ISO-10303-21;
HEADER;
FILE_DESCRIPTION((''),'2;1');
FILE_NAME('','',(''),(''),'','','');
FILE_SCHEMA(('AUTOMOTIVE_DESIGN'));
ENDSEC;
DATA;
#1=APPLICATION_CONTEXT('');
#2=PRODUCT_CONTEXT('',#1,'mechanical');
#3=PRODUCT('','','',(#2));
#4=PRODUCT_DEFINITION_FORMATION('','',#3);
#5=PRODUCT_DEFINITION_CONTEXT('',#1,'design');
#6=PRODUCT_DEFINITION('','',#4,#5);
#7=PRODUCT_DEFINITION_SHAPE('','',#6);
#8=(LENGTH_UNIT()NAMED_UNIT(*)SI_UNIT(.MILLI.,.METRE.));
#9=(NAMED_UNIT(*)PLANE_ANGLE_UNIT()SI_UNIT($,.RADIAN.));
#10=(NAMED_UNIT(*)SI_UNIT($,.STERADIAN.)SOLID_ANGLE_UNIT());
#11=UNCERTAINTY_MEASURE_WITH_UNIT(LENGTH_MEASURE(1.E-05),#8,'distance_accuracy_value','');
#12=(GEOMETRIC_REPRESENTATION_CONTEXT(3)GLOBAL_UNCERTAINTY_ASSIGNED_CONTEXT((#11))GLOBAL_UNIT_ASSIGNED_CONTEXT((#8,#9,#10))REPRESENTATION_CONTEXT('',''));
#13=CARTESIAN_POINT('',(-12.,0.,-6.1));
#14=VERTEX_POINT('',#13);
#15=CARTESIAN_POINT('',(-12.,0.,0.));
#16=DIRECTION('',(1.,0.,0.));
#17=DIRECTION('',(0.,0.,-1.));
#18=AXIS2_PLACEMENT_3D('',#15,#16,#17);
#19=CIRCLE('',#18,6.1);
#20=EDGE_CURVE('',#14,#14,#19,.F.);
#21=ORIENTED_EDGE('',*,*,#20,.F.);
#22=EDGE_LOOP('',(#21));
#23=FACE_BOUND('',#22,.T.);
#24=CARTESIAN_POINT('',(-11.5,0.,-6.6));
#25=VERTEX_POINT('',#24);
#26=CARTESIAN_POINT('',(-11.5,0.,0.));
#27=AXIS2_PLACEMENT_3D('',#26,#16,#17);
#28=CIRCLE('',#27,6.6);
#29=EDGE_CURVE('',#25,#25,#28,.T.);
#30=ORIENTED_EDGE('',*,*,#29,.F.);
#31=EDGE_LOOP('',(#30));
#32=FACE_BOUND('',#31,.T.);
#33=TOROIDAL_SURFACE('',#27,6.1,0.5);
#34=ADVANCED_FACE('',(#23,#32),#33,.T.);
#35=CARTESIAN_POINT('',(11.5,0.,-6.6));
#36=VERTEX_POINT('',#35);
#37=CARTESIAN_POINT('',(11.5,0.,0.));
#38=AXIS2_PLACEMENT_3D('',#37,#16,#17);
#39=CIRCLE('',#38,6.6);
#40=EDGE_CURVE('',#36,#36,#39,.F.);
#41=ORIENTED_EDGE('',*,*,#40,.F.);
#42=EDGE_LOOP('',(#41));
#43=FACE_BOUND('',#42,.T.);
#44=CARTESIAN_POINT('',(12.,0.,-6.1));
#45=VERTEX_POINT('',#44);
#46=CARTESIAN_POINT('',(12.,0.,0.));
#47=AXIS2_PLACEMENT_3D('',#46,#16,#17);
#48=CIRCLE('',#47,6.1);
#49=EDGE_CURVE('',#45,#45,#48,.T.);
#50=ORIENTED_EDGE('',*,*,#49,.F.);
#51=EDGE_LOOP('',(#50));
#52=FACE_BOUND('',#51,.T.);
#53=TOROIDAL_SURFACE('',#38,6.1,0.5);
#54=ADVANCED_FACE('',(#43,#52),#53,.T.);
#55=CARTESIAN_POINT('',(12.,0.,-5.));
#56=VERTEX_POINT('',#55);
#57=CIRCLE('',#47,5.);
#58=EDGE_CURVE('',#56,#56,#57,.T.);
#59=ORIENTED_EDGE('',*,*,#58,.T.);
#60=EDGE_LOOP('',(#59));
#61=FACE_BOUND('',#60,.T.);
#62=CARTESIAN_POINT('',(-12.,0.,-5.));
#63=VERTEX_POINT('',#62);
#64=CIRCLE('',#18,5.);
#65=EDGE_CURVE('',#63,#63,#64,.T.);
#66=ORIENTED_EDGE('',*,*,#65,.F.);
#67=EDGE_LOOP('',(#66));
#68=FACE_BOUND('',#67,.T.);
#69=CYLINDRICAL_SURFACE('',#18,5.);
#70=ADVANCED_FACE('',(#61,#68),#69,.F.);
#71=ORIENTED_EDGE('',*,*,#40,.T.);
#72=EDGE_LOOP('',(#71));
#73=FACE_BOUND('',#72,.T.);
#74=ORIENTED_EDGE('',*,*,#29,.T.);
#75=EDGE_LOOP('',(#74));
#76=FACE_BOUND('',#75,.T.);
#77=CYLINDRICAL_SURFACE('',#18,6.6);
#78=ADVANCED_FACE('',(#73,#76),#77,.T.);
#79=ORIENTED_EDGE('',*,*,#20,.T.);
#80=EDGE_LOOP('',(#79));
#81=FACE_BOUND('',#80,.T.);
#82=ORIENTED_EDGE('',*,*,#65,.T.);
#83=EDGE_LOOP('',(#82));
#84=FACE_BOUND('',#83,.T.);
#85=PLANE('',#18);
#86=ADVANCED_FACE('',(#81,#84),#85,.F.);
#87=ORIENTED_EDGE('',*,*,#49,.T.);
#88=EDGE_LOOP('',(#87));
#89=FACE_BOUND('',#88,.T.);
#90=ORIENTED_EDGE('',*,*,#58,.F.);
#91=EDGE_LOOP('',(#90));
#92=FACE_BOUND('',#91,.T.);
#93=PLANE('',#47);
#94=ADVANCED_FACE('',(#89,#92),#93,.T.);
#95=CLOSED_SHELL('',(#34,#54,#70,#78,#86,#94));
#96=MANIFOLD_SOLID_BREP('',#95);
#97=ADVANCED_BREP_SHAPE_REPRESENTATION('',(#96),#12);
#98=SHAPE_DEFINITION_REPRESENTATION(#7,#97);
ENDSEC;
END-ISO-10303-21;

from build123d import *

# Parameters (mm, degrees)
EXTRUDE1_START = -12
SKETCH1_R      = 6.6
SKETCH1_R_2    = 5
EXTRUDE1_DEPTH = 24
FILLET1_R      = 0.5


with BuildPart() as part:
    # Sketch1 → Extrude1 (new body)
    with BuildSketch(Plane(origin=(0, 0, 0), x_dir=(0, 0, -1), z_dir=(1, 0, 0)).offset(EXTRUDE1_START)):
        Circle(SKETCH1_R)
        Circle(SKETCH1_R_2, mode=Mode.SUBTRACT)
    extrude(amount=EXTRUDE1_DEPTH)

    # Fillet1
    fillet1_edges = [part.edges().sort_by_distance(p)[0] for p in [
        (-12, 0, 6.6),
        (12, 0, 6.6),
    ]]
    fillet(fillet1_edges, radius=FILLET1_R)


solid = part.part
